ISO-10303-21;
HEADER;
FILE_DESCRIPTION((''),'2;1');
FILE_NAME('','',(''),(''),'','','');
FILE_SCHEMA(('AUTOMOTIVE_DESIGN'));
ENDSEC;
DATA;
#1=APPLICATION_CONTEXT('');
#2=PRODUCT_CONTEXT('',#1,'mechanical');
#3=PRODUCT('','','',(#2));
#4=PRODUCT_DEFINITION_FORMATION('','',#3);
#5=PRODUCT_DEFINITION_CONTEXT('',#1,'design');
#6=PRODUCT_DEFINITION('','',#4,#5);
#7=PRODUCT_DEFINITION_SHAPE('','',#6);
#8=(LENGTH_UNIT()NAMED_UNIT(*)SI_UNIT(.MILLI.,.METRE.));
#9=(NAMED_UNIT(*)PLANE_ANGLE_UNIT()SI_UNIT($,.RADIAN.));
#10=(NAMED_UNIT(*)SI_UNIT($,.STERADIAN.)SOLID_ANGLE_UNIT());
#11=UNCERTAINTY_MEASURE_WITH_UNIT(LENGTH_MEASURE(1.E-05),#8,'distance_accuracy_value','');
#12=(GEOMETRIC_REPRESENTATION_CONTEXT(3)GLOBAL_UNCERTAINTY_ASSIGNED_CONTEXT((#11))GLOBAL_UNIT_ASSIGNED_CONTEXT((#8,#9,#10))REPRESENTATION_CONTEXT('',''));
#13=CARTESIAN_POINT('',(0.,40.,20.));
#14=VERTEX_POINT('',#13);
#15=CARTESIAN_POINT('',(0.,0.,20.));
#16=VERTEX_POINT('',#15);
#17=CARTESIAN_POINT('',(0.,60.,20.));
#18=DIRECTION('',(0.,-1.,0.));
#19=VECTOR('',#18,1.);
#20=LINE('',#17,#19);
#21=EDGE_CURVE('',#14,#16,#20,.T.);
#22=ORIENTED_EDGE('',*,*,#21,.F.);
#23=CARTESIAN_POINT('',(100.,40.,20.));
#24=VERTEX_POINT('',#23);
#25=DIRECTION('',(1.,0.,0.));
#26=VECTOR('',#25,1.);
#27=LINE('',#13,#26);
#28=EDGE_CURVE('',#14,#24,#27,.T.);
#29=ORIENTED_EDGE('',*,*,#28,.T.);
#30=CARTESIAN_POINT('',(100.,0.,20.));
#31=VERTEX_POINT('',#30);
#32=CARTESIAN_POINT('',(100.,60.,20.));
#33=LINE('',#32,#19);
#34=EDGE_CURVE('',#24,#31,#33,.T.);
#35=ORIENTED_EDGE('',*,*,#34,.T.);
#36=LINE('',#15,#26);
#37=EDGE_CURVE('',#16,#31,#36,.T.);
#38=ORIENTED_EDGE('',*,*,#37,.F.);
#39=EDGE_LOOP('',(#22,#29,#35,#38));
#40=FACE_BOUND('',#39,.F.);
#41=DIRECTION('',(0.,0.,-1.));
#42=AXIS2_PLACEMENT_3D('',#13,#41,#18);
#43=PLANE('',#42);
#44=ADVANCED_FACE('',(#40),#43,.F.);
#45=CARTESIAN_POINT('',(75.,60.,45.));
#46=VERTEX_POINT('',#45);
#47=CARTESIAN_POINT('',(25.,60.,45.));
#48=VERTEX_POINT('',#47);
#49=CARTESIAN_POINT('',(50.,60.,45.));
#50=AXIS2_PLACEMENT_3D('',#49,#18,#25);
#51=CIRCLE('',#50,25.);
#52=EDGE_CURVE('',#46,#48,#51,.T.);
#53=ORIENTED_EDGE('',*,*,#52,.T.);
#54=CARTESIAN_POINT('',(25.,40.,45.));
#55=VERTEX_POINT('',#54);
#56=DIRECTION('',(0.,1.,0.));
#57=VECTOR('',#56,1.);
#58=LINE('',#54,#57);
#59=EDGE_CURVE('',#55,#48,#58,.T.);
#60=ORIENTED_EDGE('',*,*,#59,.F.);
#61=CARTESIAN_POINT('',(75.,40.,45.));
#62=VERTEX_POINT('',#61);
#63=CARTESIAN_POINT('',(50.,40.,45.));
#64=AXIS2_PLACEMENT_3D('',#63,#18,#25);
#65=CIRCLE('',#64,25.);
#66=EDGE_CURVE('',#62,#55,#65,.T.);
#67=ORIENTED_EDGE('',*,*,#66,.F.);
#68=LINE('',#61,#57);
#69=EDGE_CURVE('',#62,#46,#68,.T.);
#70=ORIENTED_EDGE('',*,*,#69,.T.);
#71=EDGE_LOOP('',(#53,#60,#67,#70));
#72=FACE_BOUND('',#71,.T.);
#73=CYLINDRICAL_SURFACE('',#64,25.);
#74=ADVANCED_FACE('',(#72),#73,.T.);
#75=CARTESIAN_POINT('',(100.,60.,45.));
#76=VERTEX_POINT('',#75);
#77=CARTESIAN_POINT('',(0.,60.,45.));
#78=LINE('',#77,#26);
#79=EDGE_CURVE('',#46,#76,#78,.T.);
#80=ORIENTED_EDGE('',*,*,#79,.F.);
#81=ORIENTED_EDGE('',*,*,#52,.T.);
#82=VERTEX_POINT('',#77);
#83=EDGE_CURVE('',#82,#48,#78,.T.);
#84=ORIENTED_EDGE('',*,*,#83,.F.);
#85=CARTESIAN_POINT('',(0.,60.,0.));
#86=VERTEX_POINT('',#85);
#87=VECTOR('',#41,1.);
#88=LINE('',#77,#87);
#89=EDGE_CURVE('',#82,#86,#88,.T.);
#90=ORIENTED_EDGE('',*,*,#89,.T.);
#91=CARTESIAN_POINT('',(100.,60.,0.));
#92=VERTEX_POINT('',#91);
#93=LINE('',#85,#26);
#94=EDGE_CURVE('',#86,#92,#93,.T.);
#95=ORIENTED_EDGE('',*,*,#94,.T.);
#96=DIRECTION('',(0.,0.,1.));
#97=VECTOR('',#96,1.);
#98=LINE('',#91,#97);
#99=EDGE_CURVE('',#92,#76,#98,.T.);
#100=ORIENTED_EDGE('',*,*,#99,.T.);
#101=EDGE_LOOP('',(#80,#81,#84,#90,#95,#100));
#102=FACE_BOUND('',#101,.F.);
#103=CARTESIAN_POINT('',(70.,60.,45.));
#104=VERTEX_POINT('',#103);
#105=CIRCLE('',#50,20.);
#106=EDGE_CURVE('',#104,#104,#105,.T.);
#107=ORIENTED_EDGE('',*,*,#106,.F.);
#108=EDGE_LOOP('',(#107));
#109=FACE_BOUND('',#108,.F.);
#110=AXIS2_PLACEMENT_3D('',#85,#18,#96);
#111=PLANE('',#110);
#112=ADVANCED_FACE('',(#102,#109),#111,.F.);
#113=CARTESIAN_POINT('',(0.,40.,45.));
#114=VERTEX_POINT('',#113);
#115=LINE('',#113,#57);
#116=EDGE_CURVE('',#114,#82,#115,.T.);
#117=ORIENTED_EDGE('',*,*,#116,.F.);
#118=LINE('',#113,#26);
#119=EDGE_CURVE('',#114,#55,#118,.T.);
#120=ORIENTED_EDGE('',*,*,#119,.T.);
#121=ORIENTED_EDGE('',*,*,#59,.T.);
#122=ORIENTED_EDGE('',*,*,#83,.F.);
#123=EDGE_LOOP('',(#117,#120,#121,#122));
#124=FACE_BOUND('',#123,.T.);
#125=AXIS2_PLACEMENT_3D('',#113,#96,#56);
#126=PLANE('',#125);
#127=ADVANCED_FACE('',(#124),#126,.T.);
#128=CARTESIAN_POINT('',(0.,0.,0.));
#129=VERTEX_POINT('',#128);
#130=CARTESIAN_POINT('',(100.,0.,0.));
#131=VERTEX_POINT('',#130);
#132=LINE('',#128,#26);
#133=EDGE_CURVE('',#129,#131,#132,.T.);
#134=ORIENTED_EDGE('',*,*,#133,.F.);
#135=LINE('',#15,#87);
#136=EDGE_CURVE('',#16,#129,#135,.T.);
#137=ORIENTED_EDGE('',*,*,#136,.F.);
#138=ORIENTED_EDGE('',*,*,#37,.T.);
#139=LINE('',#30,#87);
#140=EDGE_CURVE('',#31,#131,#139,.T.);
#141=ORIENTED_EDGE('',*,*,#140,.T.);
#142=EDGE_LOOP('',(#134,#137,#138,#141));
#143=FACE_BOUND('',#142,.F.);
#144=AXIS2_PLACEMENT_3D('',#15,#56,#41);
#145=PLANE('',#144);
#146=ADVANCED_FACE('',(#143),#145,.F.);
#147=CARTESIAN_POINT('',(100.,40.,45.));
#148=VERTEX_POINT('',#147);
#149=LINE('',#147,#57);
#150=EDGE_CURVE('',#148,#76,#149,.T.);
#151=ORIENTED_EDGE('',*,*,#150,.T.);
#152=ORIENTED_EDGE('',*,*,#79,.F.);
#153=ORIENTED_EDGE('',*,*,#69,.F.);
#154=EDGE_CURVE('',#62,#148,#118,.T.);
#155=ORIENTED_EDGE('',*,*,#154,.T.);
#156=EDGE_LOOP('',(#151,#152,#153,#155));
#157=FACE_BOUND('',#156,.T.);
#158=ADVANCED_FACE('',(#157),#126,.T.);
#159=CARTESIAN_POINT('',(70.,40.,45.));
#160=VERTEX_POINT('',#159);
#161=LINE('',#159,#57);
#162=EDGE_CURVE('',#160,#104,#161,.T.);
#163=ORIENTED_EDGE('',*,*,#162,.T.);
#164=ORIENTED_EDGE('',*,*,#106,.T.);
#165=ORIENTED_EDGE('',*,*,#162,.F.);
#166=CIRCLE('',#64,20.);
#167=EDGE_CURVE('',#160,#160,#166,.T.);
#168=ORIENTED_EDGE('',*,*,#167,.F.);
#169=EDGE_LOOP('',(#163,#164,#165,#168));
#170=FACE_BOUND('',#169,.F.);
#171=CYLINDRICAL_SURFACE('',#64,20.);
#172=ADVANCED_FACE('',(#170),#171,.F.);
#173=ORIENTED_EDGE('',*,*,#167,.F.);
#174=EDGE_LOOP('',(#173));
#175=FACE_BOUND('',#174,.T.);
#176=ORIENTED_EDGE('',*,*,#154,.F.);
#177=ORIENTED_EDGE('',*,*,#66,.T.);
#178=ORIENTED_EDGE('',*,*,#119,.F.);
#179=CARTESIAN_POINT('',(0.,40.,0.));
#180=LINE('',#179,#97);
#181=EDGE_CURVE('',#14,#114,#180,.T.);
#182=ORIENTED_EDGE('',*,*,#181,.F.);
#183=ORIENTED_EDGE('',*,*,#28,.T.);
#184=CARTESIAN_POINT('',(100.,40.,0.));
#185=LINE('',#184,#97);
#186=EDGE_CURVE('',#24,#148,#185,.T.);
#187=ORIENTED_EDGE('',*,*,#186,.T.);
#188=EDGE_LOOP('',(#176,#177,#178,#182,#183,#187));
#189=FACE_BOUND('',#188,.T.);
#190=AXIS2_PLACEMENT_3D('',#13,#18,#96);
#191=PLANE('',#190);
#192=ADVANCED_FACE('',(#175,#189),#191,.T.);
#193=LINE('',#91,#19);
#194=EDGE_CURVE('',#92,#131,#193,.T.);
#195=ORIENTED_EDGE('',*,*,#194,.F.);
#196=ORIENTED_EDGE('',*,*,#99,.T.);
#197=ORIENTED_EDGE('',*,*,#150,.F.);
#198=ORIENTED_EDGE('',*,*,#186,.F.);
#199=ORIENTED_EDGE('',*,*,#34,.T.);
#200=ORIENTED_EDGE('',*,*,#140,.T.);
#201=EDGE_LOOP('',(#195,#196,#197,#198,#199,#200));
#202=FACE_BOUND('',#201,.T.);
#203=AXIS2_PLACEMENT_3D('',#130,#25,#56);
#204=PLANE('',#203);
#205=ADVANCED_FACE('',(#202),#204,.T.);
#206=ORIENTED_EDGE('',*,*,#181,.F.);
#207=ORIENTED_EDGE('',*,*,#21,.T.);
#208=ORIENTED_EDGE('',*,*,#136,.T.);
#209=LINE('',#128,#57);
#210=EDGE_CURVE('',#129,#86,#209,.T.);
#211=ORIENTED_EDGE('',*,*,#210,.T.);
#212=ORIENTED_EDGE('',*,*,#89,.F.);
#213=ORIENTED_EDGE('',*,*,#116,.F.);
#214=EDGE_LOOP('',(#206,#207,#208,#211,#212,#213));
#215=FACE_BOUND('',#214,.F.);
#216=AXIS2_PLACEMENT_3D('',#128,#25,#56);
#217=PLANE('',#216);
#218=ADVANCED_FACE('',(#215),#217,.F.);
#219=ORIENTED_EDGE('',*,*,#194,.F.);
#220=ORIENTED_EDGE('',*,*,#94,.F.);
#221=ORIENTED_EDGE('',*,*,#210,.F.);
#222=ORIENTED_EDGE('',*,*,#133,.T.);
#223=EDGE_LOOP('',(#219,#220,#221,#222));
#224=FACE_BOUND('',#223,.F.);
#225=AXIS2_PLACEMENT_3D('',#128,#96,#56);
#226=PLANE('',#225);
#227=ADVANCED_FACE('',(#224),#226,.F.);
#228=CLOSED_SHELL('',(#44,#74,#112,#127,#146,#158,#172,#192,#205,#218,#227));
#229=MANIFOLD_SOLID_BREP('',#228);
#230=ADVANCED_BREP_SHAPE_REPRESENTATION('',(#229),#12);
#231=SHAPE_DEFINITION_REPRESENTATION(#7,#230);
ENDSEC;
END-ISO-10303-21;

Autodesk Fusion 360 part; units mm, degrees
sketch "Sketch1" plane through (0, 0, 0) normal (1, 0, 0) x (0, 1, 0)
  line L0 (0, 0) -> (60, 0)
  line L1 (60, 0) -> (60, 20)
  line L2 (60, 20) -> (0, 20)
  line L3 (0, 20) -> (0, 0)
  line L4 (60, 0) -> (40, 0)
  line L5 (40, 0) -> (40, 45)
  line L6 (40, 45) -> (60, 45)
  line L7 (60, 45) -> (60, 0)
  dimension "d1" = 60
  dimension "d2" = 20
  dimension "d3" = 20
  dimension "d4" = 45
extrude "Extrude1" add sketch "Sketch1" along normal blind 100
sketch "Sketch2" plane through (0, 40, 0) normal (0, -1, 0) x (1, 0, 0)
  line L0 (0, 45) -> (0, 20)
  line L1 (0, 20) -> (100, 20)
  line L2 (100, 20) -> (100, 45)
  line L3 (100, 45) -> (0, 45)
  circle A0 centre (50, 45) radius 25
  dimension "d7" = 50
extrude "Extrude2" add sketch "Sketch2" against normal up to surface (20 mm away) contours L3 A0 picked at (47.8685, 56.8227)
sketch "Sketch3" plane through (0, 40, 0) normal (0, -1, 0) x (1, 0, 0)
  line L0 (0, 45) -> (0, 20)
  line L1 (0, 20) -> (100, 20)
  line L2 (100, 20) -> (100, 45)
  line L3 (100, 45) -> (75, 45)
  arc A0 (75, 45) -> (25, 45) centre (50, 45) ccw
  line L4 (25, 45) -> (0, 45)
  circle A1 centre (50, 45) radius 20
  dimension "d10" = 40
extrude "Extrude3" cut sketch "Sketch3" against normal through all contours A1
